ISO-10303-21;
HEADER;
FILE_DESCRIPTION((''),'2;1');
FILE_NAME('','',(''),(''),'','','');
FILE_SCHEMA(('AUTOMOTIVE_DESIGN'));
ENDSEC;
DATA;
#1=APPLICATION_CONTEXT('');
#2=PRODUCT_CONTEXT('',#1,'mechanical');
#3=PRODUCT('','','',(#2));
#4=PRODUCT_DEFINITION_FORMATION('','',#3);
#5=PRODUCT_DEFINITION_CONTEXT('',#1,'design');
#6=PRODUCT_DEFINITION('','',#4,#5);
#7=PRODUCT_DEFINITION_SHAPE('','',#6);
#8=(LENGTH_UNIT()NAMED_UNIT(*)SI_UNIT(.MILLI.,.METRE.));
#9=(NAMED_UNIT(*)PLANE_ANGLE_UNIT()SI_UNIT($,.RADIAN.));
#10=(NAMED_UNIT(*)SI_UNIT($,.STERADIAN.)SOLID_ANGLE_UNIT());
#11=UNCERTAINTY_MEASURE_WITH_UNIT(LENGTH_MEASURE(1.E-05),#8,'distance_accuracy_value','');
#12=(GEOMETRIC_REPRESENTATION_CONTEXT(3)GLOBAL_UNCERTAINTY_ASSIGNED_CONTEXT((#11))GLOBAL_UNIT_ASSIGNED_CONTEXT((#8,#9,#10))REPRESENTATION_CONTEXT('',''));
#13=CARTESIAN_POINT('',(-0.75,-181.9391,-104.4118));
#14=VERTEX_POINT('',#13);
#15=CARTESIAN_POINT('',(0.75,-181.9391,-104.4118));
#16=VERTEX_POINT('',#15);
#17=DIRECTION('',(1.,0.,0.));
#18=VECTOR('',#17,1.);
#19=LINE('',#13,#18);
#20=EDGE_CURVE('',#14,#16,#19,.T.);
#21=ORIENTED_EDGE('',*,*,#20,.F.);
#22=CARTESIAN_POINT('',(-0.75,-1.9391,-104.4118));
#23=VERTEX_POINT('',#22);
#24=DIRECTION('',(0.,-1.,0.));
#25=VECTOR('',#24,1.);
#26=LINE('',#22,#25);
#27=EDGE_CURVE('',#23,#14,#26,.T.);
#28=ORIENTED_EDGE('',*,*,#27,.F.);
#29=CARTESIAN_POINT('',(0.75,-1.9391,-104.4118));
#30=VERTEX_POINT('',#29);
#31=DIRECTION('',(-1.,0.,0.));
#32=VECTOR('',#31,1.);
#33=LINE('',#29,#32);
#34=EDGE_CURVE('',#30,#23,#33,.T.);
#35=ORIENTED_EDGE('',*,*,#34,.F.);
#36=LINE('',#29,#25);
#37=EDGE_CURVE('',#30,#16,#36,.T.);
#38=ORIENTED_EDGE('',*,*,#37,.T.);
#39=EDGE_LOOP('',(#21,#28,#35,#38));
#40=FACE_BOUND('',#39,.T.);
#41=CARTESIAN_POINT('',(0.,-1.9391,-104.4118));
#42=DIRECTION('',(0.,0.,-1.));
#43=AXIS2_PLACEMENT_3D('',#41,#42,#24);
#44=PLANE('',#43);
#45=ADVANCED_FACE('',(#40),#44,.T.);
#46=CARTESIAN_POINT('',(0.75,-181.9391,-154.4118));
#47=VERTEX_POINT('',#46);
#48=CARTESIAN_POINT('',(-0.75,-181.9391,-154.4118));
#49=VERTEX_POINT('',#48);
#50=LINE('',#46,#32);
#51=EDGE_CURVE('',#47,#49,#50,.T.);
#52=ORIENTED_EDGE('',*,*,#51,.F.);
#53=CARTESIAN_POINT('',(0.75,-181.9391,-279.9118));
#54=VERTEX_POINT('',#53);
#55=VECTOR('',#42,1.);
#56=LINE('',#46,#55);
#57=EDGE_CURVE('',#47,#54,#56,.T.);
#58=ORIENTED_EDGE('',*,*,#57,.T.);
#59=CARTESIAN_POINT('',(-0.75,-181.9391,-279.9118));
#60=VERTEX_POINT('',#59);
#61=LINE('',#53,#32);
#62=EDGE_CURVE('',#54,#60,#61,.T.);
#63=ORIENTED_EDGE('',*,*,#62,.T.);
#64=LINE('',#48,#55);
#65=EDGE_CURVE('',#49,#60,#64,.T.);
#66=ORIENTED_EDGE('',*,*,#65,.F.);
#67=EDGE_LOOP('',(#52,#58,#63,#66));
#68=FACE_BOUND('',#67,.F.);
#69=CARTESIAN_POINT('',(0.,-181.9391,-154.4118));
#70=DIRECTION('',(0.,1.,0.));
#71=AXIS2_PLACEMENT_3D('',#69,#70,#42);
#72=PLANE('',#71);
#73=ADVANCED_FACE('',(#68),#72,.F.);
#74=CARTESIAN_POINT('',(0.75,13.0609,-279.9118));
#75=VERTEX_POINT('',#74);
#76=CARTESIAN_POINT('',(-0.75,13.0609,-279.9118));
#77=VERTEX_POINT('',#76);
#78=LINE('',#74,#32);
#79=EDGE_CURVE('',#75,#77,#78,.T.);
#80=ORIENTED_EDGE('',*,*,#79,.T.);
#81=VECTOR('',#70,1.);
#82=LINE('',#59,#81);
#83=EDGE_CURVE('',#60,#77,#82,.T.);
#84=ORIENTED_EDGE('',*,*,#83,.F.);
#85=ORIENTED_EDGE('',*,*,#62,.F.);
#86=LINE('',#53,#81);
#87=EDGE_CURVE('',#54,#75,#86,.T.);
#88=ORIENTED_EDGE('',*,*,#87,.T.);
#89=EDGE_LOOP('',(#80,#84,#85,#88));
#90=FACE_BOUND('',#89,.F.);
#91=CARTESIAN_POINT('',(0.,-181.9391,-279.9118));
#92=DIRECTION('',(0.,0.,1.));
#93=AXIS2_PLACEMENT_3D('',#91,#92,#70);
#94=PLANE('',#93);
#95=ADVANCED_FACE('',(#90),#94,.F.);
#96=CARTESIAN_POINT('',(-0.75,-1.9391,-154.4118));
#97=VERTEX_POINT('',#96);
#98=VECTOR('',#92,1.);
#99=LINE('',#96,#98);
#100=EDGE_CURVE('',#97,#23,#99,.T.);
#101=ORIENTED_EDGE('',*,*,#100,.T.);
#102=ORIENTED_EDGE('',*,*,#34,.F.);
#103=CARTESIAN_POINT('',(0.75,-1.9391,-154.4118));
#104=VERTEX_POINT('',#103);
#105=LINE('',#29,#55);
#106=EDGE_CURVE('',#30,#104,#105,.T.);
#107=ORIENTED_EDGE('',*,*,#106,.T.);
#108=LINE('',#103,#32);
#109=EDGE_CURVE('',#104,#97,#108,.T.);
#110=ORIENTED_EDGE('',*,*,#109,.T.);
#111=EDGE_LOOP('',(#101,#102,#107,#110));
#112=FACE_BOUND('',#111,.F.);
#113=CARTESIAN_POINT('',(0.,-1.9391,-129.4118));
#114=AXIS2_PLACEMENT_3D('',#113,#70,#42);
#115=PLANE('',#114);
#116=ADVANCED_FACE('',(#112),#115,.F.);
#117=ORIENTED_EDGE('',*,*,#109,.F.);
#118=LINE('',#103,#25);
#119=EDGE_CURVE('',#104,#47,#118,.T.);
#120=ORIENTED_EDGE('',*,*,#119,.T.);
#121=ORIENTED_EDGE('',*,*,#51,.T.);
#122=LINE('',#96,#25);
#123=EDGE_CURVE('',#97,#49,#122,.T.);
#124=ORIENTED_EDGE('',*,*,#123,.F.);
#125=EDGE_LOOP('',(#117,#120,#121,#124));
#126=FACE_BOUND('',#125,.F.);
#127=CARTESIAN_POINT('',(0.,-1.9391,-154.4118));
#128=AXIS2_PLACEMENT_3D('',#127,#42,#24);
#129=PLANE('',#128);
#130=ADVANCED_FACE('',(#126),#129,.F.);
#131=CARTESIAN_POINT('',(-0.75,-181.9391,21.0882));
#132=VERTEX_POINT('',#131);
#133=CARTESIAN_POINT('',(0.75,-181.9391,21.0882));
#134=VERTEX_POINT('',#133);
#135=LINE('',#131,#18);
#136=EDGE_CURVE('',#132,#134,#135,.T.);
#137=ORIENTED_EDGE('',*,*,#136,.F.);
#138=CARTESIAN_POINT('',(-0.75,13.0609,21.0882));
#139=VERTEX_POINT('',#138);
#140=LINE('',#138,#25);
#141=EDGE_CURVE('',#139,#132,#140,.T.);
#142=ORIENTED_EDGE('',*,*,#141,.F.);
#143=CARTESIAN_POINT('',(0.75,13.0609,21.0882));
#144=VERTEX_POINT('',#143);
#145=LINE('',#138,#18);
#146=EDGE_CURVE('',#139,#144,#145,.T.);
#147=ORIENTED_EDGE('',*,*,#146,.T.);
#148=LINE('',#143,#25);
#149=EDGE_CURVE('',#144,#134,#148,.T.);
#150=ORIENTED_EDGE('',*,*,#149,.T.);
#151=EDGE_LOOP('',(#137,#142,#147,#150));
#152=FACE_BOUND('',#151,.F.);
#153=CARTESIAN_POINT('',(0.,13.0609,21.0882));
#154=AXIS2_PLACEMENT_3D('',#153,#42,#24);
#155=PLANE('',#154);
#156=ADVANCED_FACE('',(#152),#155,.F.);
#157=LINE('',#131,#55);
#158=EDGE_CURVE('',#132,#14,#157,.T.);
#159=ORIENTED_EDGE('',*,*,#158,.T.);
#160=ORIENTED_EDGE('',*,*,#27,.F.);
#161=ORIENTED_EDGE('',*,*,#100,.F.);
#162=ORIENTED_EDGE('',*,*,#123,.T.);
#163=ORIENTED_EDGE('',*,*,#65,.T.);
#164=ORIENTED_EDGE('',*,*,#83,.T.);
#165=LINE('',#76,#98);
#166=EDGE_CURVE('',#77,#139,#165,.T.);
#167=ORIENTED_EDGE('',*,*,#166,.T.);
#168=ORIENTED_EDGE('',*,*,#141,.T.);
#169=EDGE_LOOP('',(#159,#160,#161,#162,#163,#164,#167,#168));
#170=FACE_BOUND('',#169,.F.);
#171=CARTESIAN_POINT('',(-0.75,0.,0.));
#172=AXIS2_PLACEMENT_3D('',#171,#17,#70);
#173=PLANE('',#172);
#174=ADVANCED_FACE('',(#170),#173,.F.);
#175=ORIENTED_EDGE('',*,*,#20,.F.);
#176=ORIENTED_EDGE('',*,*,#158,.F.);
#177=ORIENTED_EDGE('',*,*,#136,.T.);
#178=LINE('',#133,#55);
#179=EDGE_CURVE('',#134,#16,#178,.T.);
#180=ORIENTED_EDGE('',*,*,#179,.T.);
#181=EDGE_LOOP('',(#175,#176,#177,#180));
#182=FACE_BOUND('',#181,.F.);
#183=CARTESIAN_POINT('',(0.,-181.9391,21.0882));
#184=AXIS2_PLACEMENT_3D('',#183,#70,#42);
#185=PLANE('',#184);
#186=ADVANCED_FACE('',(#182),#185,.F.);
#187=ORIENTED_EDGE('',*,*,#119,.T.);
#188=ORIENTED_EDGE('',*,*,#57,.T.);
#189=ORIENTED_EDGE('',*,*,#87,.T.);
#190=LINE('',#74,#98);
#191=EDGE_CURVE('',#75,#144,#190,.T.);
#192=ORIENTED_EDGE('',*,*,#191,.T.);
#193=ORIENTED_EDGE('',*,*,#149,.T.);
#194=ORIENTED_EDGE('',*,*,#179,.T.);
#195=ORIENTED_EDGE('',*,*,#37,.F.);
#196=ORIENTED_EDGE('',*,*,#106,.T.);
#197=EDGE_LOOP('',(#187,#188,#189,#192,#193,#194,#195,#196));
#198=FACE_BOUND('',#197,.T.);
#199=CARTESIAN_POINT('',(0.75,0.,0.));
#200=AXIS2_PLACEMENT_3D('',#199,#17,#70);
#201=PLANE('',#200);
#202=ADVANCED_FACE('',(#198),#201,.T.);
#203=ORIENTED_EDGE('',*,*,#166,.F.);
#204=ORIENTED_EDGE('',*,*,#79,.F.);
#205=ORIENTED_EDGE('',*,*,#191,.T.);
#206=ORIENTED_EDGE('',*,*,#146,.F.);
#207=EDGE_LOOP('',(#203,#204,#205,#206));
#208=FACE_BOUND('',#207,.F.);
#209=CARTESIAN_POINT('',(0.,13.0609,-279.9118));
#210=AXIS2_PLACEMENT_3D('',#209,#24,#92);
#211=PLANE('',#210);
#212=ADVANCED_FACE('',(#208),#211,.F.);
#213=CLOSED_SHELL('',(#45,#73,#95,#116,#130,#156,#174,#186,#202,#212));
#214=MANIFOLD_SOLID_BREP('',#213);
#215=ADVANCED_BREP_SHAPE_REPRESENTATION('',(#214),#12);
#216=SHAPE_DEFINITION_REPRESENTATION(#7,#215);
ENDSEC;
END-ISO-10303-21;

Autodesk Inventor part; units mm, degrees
ref_plane "YZ Plane" through (0, 0, 0) normal (1, 0, 0) x (0, 1, 0)
ref_plane "XZ Plane" through (0, 0, 0) normal (0, 1, 0) x (-1, 0, 0)
ref_plane "XY Plane" through (0, 0, 0) normal (0, 0, 1) x (1, 0, 0)
sketch "Boceto1" plane through (0, 0, 0) normal (1, 0, 0) x (0, 1, 0)
  line L0 (13.0609, 21.0882) -> (-181.9391, 21.0882)
  line L1 (-181.9391, -279.9118) -> (13.0609, -279.9118)
  line L2 (13.0609, -279.9118) -> (13.0609, 21.0882)
  line L3 (-1.9391, -129.4118) -> (-1.9391, -154.4118)
  line L4 (-1.9391, -154.4118) -> (-181.9391, -154.4118)
  line L5 (-1.9391, -129.4118) -> (-1.9391, -104.4118)
  line L6 (-1.9391, -104.4118) -> (-181.9391, -104.4118)
  line L7 (-181.9391, 21.0882) -> (-181.9391, -104.4118)
  line L8 (-181.9391, -154.4118) -> (-181.9391, -279.9118)
  point P0 (0, 0)
  dimension "d0" = 195
  dimension "d1" = 301
  dimension "d3" = 25
  dimension "d4" = 25
extrude "Extrusión1" add sketch "Boceto1" along normal mid plane 1.5
properties part number "panel frontal"
